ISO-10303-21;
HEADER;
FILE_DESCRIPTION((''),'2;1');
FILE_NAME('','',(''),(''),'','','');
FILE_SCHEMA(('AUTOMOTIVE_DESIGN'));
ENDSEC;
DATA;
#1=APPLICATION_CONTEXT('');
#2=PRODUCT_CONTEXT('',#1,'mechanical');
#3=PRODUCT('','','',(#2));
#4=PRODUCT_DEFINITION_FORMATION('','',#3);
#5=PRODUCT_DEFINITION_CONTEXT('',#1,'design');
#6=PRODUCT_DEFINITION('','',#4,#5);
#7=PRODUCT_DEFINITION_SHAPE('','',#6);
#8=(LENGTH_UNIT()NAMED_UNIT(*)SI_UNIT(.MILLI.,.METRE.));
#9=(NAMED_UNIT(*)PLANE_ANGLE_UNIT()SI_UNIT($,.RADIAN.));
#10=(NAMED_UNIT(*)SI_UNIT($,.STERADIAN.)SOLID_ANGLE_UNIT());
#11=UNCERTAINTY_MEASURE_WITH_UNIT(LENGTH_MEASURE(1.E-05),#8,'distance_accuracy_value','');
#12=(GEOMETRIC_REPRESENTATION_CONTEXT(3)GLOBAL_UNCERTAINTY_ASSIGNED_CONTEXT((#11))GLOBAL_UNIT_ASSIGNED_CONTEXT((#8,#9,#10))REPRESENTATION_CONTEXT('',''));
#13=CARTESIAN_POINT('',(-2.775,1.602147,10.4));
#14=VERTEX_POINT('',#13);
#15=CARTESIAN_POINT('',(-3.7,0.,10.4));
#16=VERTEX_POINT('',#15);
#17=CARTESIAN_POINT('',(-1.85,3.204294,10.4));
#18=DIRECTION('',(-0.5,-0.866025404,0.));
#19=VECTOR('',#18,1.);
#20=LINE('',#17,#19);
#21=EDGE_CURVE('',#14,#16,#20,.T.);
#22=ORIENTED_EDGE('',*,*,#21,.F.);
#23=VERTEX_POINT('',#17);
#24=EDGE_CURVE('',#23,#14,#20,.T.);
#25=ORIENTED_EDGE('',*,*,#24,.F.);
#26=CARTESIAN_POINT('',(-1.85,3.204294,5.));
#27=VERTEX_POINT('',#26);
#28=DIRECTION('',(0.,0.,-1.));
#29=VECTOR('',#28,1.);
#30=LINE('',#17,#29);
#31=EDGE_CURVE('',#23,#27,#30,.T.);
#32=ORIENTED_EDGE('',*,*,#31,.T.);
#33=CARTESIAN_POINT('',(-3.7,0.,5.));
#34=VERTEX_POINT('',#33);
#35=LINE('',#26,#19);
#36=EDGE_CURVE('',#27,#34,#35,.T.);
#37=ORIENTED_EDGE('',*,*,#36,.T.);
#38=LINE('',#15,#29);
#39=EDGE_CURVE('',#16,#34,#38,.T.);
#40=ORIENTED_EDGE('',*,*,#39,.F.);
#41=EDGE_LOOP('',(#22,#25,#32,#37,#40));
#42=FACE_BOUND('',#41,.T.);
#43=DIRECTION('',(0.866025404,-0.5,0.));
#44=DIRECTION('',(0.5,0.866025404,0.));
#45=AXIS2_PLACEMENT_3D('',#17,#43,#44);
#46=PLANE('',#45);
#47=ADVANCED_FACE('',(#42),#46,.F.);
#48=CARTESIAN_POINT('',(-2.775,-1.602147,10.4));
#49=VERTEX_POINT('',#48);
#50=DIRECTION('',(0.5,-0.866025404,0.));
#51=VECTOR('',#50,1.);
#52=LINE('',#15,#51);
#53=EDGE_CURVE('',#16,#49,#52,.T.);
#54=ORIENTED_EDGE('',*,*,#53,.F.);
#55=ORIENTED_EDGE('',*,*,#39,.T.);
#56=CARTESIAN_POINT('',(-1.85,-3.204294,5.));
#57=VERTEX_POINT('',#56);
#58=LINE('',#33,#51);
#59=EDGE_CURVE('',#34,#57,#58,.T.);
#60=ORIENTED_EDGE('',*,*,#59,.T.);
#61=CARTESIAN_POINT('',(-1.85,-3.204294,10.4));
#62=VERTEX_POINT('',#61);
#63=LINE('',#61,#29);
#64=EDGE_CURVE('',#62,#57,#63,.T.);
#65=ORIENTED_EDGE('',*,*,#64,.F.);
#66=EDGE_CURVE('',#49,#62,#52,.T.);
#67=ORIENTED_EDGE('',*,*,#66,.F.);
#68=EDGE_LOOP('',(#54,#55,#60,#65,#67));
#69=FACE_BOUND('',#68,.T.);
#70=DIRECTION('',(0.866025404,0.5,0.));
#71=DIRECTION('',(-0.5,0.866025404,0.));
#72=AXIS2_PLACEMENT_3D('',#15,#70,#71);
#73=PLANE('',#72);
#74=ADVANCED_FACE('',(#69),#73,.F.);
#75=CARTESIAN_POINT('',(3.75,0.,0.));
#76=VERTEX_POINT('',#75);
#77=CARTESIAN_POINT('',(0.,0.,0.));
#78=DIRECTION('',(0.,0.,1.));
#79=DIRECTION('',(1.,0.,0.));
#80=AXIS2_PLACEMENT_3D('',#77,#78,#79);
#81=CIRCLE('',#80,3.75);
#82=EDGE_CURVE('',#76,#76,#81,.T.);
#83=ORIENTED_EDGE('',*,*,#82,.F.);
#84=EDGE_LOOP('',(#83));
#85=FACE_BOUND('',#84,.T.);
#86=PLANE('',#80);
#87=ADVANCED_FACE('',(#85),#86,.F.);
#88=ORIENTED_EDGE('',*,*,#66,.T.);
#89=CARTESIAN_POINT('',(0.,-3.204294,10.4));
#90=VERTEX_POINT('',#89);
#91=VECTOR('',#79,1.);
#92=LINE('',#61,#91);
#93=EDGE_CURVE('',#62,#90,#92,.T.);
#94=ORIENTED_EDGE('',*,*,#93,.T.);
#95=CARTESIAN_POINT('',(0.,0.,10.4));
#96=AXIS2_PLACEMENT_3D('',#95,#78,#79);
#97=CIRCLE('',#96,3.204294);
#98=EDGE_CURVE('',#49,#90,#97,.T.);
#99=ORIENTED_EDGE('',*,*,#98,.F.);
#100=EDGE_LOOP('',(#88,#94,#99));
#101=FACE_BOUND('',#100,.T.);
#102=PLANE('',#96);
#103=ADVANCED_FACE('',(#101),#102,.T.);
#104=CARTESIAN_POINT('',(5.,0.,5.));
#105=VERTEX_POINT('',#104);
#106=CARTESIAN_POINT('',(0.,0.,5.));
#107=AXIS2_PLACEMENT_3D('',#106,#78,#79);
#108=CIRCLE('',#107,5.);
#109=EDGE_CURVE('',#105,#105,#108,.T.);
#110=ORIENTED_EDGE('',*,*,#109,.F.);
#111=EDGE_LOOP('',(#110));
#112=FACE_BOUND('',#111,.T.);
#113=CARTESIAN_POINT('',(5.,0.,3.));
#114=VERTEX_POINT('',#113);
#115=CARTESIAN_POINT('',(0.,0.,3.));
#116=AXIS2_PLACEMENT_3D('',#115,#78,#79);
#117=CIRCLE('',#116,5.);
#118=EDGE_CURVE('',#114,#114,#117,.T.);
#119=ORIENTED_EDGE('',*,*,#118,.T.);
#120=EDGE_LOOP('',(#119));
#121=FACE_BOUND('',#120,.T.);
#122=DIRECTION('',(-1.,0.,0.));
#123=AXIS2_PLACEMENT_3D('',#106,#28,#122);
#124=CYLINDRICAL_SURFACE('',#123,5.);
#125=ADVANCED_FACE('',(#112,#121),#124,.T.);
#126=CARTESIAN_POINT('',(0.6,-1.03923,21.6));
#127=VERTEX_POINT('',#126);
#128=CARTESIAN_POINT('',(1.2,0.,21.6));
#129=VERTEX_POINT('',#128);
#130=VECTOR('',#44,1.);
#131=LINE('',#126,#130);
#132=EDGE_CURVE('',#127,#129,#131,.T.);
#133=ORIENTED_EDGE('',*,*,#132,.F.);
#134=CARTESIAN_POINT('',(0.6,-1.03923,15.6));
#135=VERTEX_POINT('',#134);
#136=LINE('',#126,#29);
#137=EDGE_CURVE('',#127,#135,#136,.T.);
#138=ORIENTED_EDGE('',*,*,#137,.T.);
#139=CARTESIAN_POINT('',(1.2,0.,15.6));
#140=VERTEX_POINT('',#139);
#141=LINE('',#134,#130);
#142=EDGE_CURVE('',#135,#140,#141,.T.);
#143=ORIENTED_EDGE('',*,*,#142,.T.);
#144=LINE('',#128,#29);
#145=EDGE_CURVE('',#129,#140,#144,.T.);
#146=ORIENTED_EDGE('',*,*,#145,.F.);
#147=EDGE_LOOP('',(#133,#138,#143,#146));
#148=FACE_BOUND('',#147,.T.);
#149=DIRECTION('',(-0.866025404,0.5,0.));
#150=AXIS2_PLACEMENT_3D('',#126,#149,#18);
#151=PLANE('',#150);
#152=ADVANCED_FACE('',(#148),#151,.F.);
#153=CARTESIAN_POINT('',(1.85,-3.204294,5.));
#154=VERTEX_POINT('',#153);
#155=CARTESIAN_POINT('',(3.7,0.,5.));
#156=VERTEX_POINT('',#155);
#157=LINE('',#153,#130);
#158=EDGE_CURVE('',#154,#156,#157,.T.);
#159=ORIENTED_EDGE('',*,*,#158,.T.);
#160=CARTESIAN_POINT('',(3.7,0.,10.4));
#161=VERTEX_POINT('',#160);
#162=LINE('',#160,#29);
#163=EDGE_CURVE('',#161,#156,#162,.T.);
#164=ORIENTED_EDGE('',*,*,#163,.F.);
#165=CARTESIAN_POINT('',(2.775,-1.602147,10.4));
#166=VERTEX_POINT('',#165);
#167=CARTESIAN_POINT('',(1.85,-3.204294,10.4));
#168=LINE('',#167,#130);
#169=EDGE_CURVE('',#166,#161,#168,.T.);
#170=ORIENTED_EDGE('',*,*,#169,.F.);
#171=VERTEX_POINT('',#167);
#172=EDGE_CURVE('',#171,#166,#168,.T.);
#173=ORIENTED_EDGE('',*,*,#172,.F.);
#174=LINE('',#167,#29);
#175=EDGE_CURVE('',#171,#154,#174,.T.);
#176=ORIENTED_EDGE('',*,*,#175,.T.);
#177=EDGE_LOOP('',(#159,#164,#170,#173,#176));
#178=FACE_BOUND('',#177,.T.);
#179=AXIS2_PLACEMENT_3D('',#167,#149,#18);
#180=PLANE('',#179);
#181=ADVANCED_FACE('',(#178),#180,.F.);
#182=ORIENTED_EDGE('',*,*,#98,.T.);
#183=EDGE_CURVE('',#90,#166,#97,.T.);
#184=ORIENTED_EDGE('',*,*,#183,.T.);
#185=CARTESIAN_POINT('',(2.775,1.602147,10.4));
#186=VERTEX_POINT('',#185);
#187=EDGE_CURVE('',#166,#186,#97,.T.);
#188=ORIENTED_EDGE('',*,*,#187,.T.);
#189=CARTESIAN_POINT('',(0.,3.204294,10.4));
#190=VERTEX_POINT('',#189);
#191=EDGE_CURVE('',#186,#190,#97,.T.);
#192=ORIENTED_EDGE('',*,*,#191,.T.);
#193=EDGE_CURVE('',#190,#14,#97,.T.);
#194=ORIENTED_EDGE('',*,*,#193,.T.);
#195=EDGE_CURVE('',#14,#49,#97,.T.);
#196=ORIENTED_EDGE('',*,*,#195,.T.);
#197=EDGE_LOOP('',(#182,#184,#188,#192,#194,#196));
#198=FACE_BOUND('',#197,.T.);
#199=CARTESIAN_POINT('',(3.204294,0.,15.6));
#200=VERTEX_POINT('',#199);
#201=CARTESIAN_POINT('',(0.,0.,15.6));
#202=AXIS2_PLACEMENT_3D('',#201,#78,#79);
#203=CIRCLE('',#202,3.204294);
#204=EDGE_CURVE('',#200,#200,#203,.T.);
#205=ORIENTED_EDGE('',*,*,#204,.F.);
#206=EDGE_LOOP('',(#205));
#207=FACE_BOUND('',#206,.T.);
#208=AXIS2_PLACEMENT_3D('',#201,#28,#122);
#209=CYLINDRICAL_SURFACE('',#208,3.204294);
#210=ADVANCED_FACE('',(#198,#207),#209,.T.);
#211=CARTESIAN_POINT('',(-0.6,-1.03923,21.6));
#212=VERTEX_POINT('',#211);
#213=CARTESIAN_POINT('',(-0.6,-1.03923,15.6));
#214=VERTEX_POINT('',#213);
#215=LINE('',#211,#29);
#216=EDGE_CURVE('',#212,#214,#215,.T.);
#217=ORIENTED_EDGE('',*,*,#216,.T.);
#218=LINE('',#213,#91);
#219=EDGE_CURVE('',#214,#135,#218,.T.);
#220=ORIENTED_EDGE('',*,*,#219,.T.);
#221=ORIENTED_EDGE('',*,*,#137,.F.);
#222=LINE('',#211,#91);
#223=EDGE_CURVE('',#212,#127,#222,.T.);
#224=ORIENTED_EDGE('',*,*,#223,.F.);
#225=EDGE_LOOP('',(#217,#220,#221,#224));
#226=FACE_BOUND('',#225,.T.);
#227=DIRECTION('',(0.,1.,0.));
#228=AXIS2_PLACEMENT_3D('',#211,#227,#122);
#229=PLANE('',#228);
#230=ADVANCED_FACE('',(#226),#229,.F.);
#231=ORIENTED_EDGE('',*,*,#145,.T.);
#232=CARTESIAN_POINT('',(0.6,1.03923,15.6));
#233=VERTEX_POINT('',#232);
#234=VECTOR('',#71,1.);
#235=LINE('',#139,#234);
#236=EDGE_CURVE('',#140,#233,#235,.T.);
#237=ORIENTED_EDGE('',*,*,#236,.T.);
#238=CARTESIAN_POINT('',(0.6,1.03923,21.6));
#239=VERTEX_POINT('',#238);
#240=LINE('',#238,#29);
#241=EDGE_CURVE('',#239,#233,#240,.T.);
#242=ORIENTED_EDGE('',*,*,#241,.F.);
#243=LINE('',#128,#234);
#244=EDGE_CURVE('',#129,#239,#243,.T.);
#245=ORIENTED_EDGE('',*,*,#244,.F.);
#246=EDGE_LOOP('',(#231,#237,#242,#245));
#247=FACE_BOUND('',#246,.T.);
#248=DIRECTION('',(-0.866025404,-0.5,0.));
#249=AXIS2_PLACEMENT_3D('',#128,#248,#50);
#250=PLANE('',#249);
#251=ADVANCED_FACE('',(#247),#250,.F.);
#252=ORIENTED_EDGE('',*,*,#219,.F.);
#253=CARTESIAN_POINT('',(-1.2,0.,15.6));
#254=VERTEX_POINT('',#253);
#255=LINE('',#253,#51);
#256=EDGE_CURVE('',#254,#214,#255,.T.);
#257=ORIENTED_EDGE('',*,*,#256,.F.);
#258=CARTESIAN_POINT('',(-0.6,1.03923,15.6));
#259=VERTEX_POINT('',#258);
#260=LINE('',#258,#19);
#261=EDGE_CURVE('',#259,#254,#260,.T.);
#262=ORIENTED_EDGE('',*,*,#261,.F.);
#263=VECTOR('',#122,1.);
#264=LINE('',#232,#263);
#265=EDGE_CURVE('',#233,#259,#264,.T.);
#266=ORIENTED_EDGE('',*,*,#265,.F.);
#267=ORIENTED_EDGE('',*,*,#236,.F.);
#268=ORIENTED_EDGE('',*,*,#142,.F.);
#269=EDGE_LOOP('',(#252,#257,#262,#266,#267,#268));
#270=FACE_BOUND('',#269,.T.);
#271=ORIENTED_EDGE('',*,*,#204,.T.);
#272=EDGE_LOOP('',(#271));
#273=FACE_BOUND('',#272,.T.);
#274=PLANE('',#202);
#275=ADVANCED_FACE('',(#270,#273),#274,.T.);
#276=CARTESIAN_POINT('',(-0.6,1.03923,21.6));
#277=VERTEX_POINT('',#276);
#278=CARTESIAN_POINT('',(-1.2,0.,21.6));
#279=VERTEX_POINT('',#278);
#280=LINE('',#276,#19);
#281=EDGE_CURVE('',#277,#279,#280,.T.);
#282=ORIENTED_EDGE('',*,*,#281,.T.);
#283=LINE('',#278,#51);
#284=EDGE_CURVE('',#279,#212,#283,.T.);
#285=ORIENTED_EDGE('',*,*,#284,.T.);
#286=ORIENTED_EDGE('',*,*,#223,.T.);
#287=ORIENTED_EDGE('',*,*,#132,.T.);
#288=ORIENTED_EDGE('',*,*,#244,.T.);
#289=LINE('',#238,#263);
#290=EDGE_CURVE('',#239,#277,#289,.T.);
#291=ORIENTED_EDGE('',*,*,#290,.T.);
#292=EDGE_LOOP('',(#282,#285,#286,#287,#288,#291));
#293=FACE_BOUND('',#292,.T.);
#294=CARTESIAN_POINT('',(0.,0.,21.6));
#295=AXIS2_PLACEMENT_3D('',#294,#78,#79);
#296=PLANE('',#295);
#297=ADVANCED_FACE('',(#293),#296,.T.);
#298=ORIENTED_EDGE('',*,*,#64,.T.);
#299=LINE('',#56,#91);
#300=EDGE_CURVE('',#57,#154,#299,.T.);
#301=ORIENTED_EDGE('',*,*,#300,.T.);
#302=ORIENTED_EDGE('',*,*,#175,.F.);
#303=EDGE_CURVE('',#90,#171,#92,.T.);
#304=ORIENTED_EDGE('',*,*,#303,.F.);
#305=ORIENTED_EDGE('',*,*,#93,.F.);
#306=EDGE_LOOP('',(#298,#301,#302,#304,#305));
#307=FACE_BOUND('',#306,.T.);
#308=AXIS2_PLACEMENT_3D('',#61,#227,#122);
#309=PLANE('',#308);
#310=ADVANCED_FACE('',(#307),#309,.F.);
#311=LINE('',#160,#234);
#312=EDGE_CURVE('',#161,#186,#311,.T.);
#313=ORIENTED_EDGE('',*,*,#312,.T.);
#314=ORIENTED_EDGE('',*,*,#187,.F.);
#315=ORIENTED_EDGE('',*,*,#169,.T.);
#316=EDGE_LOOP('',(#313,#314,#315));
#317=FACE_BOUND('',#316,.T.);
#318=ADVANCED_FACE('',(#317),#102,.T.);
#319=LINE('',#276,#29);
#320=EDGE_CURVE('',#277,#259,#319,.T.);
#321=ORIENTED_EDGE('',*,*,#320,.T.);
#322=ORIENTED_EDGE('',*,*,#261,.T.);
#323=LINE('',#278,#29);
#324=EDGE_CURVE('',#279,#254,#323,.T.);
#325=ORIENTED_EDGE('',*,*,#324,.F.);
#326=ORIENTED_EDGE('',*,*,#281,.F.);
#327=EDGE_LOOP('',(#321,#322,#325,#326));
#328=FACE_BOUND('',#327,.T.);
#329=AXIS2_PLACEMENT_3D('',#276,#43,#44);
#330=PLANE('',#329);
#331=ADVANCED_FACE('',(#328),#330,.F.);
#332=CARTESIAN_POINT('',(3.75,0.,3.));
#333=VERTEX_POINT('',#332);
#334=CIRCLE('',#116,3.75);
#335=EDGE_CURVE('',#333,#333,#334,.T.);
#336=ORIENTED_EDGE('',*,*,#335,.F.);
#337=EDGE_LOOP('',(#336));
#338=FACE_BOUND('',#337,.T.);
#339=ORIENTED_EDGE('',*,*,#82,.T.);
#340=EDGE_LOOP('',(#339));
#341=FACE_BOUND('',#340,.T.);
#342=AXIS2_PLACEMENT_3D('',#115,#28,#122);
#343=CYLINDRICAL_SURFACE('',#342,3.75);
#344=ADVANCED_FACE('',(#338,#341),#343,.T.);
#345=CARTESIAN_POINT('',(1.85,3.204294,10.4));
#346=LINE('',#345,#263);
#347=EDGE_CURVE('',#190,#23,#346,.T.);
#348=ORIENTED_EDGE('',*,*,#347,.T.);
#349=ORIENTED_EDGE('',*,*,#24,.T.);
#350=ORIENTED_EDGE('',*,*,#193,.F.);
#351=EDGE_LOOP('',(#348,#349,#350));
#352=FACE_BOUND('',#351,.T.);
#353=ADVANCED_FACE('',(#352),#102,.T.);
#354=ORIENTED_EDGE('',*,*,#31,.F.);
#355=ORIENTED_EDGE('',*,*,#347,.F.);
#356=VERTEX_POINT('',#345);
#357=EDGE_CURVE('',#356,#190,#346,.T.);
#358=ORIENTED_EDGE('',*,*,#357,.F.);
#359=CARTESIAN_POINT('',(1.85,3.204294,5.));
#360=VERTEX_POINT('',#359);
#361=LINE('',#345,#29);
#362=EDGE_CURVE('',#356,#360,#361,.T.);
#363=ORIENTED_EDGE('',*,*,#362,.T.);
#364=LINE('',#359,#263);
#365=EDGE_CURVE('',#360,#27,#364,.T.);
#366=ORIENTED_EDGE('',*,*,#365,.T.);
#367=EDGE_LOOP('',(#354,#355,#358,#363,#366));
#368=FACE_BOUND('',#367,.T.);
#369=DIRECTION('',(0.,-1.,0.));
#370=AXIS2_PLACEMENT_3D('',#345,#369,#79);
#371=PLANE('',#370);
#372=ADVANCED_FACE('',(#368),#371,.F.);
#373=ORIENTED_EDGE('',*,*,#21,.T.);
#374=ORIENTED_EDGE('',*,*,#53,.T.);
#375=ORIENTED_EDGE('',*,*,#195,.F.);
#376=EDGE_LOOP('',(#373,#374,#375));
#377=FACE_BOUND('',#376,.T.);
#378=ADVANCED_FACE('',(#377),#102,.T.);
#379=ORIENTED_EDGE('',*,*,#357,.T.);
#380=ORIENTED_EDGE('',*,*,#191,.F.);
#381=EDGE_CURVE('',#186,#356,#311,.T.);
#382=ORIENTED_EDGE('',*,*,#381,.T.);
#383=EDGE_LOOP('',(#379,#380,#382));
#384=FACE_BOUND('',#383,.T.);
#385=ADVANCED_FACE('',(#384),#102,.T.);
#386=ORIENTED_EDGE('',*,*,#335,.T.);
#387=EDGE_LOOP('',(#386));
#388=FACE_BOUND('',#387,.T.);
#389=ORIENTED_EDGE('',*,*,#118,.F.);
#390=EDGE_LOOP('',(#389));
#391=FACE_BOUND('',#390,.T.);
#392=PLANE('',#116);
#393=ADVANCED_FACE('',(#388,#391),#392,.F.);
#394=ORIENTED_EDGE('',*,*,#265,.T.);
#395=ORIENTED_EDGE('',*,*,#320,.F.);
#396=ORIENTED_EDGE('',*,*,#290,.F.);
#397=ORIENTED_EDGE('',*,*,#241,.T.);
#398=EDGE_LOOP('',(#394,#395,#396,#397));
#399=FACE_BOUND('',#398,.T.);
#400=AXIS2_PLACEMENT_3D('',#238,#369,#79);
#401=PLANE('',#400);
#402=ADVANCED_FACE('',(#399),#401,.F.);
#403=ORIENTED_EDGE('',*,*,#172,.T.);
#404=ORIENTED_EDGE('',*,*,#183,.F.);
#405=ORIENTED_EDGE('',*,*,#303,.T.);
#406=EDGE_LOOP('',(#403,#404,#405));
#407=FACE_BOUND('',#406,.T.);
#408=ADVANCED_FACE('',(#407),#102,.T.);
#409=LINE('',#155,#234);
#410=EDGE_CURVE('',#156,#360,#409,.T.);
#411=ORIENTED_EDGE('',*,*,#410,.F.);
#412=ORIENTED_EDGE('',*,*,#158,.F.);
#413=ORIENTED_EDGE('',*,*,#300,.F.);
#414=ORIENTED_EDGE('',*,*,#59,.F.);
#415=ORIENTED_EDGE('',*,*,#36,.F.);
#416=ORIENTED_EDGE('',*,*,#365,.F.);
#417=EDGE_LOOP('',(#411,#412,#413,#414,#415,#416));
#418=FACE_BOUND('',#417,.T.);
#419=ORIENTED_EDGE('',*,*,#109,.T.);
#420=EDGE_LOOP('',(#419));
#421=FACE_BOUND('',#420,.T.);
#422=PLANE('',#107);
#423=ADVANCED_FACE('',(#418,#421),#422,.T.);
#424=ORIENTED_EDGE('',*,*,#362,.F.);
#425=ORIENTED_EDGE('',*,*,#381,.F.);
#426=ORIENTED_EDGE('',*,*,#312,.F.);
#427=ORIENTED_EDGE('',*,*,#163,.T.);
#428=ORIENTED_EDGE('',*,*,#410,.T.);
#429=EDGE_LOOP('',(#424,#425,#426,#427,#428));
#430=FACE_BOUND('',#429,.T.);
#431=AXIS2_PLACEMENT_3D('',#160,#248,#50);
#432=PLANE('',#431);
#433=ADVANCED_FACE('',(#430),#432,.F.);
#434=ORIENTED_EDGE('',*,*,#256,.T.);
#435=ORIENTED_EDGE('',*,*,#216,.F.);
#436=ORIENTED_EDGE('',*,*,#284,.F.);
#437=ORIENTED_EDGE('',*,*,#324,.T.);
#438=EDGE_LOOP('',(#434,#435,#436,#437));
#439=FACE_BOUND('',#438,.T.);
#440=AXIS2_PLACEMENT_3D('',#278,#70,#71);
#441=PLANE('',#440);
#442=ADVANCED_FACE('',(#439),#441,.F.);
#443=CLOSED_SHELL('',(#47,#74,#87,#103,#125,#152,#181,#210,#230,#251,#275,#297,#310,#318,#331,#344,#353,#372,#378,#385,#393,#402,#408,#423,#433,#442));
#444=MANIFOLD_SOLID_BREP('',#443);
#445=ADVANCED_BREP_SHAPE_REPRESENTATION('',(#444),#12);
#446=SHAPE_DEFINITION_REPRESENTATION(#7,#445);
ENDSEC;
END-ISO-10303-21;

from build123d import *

# Parameters (mm, degrees)
SKETCH1_R           = 3.75
BOSS_EXTRUDE1_DEPTH = 3
SKETCH2_R           = 5
BOSS_EXTRUDE2_DEPTH = 2
BOSS_EXTRUDE3_DEPTH = 5.4
SKETCH4_R           = 3.204293994
BOSS_EXTRUDE4_DEPTH = 5.2
BOSS_EXTRUDE5_DEPTH = 6


with BuildPart() as part:
    # Sketch1 → Boss-Extrude1 (new body)
    with BuildSketch(Plane.XY):
        Circle(SKETCH1_R)
    extrude(amount=BOSS_EXTRUDE1_DEPTH)

    # Sketch2 → Boss-Extrude2 (add)
    with BuildSketch(Plane.XY.offset(3)):
        Circle(SKETCH2_R)
    extrude(amount=BOSS_EXTRUDE2_DEPTH)

    # Sketch3 → Boss-Extrude3 (add)
    with BuildSketch(Plane.XY.offset(5)):
        Polygon((3.7, 0), (1.85, 3.204293994), (-1.85, 3.204293994), (-3.7, 0), (-1.85, -3.204293994), (1.85, -3.204293994), align=None)
    extrude(amount=BOSS_EXTRUDE3_DEPTH)

    # Sketch4 → Boss-Extrude4 (add)
    with BuildSketch(Plane.XY.offset(10.4)):
        Circle(SKETCH4_R)
    extrude(amount=BOSS_EXTRUDE4_DEPTH)

    # Sketch5 → Boss-Extrude5 (add)
    with BuildSketch(Plane.XY.offset(15.6)):
        Polygon((1.2, 0), (0.6, 1.039230485), (-0.6, 1.039230485), (-1.2, 0), (-0.6, -1.039230485), (0.6, -1.039230485), align=None)
    extrude(amount=BOSS_EXTRUDE5_DEPTH)


solid = part.part
